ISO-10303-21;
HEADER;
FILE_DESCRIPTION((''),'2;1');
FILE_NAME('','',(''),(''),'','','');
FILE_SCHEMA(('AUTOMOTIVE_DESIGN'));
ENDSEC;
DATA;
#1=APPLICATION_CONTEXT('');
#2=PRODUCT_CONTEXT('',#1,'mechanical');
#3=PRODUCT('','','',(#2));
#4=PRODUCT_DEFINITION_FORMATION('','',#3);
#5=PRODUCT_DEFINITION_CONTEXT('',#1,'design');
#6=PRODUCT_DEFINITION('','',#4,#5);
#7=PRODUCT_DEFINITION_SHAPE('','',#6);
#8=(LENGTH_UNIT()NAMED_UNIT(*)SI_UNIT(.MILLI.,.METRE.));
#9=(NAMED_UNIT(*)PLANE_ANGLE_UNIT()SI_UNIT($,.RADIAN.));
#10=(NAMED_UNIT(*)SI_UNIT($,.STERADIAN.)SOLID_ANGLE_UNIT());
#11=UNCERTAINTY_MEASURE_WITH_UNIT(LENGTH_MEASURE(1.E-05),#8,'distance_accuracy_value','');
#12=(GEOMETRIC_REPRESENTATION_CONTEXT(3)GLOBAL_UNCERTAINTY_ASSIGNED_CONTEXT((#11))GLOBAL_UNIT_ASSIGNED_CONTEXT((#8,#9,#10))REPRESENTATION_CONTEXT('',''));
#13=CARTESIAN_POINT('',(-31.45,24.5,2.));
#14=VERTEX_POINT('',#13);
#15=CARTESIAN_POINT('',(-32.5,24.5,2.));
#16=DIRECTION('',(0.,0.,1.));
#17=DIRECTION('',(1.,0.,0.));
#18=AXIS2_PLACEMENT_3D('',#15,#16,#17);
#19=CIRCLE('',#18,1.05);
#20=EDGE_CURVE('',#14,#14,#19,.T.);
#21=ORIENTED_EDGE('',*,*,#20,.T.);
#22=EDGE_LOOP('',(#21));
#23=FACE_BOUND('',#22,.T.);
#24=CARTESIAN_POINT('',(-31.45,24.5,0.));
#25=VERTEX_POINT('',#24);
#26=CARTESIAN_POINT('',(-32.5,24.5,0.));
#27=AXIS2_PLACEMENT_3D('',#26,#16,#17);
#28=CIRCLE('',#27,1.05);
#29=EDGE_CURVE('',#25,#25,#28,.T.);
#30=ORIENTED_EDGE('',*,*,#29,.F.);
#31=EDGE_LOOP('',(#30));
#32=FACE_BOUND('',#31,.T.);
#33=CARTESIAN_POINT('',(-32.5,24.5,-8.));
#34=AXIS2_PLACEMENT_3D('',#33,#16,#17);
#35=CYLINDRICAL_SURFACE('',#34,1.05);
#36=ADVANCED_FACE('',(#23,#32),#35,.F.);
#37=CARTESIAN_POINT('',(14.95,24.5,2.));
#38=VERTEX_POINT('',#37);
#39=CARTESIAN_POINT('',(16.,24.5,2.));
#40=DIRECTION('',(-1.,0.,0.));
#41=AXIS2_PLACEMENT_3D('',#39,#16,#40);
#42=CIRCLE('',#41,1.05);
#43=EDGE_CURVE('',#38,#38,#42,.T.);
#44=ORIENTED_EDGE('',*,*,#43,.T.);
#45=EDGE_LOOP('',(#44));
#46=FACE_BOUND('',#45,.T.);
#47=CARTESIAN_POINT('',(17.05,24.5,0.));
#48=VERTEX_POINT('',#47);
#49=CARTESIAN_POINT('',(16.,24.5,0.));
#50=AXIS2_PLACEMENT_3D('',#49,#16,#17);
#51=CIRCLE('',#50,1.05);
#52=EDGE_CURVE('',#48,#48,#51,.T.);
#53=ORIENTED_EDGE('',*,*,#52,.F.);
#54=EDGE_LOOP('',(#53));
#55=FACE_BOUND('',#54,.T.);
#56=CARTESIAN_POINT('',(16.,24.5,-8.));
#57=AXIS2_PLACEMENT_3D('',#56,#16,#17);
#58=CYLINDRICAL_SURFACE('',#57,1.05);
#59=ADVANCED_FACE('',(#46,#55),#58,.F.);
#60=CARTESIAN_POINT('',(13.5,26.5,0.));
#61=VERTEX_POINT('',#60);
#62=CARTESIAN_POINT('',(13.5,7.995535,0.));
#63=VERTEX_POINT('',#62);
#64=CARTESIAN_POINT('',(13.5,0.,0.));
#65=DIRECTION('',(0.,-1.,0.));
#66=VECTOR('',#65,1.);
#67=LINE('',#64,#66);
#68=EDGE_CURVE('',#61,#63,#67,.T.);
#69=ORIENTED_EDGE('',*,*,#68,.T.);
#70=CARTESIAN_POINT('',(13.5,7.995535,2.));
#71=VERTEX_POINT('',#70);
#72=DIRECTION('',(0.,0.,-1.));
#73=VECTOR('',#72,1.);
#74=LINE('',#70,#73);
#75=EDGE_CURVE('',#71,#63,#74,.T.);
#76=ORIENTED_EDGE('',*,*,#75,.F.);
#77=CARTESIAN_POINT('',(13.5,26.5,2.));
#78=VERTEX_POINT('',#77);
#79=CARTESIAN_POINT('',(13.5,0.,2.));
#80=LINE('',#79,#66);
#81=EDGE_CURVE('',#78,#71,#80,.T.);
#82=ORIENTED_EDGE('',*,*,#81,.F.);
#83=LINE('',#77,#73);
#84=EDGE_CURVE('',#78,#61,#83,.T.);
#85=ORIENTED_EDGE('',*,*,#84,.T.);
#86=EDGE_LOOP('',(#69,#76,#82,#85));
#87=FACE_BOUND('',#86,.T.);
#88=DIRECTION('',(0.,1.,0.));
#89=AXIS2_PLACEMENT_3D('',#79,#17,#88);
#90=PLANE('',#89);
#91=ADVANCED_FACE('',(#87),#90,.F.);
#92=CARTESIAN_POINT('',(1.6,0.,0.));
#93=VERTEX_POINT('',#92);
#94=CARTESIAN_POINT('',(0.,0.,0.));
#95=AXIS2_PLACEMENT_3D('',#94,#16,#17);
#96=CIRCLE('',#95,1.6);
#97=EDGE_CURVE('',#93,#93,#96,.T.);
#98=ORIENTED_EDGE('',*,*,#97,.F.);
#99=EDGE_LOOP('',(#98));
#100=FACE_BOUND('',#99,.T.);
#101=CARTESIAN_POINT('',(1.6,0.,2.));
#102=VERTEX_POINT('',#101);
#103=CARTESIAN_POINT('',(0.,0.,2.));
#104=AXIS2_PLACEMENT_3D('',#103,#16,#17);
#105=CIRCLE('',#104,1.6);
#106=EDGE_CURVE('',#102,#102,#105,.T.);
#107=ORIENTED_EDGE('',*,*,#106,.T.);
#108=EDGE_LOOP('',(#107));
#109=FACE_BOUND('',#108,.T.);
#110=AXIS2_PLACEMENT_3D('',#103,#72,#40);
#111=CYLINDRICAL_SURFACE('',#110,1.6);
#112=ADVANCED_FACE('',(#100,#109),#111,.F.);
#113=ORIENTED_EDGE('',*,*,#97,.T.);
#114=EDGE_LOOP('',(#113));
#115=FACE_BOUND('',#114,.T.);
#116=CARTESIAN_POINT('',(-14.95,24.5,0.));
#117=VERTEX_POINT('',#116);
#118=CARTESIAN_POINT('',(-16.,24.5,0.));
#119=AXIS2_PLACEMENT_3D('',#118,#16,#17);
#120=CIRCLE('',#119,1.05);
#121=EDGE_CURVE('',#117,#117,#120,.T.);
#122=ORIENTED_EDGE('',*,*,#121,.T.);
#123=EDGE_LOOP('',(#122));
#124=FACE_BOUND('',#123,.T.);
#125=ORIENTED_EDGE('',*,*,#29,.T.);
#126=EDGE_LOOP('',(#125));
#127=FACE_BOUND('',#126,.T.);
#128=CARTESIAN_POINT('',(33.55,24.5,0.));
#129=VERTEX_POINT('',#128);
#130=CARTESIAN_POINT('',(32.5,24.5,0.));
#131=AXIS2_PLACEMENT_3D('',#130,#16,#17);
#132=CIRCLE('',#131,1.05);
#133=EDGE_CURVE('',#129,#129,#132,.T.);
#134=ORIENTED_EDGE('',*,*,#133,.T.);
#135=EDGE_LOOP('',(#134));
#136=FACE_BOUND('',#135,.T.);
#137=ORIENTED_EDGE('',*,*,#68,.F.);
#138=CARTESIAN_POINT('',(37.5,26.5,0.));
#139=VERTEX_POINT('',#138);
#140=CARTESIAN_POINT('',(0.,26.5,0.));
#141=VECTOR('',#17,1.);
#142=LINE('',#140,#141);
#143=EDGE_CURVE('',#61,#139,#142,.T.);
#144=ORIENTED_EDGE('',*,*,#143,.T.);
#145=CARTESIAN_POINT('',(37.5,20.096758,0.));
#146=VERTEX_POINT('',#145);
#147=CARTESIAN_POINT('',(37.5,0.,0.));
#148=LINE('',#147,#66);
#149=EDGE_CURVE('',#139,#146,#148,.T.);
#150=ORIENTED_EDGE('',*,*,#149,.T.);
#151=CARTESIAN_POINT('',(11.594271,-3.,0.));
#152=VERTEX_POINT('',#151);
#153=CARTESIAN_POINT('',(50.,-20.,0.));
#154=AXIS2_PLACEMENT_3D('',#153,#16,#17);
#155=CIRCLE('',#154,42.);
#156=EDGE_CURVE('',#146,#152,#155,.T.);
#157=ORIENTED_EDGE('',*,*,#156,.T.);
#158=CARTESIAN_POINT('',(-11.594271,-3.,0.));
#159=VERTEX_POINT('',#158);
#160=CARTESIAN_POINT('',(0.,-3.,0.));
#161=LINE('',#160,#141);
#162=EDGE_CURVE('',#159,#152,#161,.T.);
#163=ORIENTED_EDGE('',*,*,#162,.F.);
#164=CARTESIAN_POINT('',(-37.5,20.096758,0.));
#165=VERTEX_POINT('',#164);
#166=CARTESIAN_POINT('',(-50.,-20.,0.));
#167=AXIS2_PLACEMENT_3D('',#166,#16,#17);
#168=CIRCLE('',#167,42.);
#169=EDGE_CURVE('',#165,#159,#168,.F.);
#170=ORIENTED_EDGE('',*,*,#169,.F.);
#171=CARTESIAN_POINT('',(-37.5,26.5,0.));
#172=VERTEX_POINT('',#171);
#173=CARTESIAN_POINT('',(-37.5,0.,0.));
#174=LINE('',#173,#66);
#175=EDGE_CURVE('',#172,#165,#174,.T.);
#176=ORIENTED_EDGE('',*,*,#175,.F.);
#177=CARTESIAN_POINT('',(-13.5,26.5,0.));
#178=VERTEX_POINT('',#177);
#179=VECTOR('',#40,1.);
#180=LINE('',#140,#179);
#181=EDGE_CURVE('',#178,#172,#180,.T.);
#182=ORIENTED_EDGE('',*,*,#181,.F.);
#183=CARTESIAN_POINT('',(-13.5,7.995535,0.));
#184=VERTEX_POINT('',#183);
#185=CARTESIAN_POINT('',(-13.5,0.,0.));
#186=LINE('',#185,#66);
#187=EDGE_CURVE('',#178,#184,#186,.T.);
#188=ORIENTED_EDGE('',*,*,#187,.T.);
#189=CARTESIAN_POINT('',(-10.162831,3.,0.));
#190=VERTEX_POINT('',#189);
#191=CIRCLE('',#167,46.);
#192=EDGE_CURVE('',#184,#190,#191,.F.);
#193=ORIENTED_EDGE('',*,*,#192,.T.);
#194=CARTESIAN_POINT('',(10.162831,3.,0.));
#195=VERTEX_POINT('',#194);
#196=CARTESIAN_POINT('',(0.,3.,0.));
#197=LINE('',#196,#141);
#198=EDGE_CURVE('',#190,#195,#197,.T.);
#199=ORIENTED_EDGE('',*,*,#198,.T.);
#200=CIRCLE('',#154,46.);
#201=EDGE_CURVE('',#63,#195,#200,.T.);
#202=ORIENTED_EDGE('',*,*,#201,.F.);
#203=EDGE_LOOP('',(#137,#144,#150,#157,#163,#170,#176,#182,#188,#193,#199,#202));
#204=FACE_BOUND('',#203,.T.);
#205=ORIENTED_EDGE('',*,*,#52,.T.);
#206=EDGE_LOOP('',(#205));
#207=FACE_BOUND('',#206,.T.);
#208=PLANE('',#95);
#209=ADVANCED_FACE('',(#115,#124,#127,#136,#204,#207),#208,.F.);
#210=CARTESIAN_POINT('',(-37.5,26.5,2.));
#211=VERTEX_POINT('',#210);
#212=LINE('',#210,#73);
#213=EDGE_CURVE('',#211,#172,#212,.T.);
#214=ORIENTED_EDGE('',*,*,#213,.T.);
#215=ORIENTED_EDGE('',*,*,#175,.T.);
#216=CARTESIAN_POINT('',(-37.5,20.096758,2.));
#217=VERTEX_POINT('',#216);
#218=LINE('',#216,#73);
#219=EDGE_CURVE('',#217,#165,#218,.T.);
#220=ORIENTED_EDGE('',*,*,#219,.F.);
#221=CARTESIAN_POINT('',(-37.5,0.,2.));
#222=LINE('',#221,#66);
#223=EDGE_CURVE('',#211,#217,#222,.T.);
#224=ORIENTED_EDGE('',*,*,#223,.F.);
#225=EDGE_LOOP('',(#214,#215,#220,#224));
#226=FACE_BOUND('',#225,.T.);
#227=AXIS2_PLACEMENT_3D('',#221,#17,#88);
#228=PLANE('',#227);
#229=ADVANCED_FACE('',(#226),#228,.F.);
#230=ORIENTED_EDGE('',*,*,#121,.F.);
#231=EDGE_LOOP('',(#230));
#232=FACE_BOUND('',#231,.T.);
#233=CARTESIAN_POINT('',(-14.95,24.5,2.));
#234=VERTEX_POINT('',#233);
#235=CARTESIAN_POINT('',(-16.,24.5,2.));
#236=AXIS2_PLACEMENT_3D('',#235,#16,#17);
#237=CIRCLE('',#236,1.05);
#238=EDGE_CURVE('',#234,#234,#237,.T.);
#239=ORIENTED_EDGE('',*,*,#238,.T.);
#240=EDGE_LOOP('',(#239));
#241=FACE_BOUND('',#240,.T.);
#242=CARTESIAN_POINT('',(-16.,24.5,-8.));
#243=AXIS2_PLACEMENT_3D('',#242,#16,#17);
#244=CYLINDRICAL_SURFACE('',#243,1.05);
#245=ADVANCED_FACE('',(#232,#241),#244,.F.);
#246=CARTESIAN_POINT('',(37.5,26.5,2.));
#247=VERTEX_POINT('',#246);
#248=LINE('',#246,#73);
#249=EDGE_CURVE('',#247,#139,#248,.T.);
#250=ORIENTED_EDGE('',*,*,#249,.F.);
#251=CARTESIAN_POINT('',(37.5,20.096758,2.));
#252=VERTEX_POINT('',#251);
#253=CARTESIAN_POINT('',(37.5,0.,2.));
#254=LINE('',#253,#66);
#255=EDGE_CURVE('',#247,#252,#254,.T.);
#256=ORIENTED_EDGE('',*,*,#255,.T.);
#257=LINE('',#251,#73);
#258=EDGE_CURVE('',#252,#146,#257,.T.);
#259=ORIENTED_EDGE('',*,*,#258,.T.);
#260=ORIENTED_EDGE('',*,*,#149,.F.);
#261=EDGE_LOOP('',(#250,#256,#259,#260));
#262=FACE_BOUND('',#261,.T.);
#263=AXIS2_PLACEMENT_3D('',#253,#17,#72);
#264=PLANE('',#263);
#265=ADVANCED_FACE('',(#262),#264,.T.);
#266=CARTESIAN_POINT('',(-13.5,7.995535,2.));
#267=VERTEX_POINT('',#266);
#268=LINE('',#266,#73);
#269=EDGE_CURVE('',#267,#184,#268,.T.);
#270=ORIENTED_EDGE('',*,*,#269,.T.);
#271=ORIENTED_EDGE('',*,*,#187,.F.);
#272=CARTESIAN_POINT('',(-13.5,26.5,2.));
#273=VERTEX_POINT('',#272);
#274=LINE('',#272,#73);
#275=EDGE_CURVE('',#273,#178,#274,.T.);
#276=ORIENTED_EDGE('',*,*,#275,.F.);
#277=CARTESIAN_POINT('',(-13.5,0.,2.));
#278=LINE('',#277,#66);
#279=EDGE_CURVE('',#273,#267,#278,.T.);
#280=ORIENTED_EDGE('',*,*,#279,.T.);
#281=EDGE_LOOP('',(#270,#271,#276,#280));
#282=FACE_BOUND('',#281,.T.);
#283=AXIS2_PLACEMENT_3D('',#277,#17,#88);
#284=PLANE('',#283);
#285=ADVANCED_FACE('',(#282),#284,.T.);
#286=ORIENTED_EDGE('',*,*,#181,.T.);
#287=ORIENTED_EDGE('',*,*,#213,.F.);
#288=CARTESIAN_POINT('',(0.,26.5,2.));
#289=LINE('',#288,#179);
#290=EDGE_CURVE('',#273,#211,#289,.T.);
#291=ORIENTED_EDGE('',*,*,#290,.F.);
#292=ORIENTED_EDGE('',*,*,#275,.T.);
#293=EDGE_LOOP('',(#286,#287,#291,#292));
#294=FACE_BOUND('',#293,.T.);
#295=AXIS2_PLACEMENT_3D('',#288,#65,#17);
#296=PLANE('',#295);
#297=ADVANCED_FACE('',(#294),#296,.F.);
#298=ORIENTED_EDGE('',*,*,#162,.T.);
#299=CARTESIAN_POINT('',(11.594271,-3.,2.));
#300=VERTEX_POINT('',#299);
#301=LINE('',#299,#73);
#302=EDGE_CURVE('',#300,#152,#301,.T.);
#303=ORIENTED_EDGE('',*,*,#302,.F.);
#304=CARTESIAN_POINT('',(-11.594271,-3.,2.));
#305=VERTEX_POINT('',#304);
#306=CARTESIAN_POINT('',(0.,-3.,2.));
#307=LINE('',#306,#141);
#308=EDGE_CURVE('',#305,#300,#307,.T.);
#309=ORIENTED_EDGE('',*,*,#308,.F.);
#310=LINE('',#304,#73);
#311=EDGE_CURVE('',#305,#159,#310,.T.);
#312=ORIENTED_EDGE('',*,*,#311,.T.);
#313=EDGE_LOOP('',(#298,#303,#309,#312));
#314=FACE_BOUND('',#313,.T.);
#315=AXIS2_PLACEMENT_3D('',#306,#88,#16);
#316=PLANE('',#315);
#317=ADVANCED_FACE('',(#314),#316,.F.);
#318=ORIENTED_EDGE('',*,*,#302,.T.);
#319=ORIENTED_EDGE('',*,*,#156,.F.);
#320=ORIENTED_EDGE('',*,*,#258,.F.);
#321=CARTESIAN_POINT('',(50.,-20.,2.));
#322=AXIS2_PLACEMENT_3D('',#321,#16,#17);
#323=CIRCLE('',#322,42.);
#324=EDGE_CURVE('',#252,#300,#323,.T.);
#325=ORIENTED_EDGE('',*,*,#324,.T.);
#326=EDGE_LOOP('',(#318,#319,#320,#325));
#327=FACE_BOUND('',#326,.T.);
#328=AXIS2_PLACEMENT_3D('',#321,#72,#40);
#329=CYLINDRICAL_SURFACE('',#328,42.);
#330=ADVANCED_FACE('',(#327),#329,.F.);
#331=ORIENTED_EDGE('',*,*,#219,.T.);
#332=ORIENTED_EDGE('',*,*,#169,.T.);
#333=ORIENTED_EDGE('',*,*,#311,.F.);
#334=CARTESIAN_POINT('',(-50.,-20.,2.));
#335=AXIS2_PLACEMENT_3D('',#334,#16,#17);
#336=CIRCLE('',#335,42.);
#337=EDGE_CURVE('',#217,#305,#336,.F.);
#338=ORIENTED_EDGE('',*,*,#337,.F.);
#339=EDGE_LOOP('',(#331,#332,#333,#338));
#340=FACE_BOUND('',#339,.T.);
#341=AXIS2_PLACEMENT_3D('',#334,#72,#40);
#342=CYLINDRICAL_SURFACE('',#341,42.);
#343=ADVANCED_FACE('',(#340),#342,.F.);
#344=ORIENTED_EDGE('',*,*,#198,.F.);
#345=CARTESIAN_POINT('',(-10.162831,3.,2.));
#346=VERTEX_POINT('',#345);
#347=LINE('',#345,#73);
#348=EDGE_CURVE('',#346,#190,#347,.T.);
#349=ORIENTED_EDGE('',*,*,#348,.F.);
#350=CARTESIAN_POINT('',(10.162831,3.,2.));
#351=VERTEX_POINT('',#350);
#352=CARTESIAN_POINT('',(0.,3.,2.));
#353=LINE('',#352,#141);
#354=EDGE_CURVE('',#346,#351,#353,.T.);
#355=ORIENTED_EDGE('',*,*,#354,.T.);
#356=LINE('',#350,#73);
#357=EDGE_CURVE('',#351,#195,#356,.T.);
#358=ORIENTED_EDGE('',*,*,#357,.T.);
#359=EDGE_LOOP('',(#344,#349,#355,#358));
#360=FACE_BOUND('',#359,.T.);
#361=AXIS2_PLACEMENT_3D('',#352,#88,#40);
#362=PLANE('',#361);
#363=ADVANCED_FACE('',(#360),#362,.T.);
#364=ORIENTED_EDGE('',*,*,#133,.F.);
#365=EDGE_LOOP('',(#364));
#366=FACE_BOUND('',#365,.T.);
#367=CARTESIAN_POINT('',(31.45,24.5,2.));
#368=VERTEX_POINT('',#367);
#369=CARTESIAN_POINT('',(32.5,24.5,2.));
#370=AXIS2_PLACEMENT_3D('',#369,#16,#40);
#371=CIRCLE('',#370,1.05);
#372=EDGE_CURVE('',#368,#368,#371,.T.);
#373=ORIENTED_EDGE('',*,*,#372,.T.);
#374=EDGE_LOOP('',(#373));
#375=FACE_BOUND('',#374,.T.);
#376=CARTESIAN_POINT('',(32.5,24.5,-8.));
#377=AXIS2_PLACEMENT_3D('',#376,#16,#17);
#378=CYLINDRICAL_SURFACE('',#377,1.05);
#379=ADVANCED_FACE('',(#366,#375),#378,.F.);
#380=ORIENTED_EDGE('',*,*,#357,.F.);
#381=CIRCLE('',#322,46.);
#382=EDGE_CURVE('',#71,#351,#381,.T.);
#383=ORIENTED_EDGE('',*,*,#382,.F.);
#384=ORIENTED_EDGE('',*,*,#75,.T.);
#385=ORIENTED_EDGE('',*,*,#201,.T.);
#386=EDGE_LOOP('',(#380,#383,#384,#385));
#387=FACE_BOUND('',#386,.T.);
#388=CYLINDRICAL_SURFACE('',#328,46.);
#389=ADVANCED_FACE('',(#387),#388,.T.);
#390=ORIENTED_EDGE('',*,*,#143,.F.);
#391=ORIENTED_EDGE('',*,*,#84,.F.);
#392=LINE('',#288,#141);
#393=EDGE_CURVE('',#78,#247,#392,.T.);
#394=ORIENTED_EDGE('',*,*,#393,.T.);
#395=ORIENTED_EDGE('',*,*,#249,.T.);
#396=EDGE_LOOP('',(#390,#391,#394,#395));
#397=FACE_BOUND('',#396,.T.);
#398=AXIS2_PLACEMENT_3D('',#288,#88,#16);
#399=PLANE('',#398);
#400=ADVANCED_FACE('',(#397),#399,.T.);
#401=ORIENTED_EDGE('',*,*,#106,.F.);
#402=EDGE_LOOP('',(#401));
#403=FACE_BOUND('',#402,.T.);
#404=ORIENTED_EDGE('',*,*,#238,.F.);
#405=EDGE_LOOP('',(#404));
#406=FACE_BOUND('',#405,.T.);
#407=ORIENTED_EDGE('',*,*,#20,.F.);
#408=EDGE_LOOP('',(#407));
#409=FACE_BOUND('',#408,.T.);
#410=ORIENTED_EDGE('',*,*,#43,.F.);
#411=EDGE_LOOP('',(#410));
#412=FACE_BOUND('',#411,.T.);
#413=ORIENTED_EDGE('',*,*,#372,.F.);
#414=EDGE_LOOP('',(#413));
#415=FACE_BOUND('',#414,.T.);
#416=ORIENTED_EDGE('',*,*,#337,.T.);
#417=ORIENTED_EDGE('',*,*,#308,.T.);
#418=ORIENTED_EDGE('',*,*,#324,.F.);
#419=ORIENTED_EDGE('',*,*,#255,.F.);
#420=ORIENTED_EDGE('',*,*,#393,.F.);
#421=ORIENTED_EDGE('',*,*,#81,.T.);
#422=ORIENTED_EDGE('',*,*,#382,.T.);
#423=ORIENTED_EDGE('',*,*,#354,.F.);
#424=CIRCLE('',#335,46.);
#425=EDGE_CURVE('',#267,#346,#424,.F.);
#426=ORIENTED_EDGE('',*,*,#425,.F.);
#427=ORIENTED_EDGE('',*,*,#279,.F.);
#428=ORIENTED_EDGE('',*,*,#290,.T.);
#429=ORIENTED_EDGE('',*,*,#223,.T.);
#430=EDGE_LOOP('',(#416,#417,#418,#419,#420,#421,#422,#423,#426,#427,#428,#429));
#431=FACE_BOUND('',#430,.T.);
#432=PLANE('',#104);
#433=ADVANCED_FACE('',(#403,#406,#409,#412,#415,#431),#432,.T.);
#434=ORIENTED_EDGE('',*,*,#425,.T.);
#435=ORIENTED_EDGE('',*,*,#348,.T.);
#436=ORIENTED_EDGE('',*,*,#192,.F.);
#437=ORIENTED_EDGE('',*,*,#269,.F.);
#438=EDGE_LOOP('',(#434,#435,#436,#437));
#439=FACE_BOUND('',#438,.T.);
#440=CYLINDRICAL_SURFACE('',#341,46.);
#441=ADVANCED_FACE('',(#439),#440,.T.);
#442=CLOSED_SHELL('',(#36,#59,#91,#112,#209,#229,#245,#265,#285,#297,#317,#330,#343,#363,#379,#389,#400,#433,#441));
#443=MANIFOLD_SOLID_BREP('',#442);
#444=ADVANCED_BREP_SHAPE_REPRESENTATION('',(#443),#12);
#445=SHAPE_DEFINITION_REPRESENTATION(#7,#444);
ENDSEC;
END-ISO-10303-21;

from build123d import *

# Parameters (mm, degrees)
SKETCH_1_R          = 1.6
EXTRUDE_1_DEPTH     = 2
SKETCH_2_R          = 1.05
CUT_EXTRUDE_1_DEPTH = 10


with BuildPart() as part:
    # 草图1 → 凸台-拉伸1 (new body)
    with BuildSketch(Plane.XY):
        with BuildLine():
            Line((-10.162831426, 3), (10.162831426, 3))
            ThreePointArc((10.162831426, 3), (11.749775558, 5.55230577), (13.5, 7.995535358))
            Line((13.5, 7.995535358), (13.5, 26.5))
            Line((13.5, 26.5), (37.5, 26.5))
            Line((37.5, 26.5), (37.5, 20.096757974))
            ThreePointArc((37.5, 20.096757974), (22.049805692, 11.349428036), (11.594271261, -3))
            Line((11.594271261, -3), (-11.594271261, -3))
            ThreePointArc((-11.594271261, -3), (-22.049805692, 11.349428036), (-37.5, 20.096757974))
            Line((-37.5, 20.096757974), (-37.5, 26.5))
            Line((-37.5, 26.5), (-13.5, 26.5))
            Line((-13.5, 26.5), (-13.5, 7.995535358))
            ThreePointArc((-13.5, 7.995535358), (-11.749775558, 5.55230577), (-10.162831426, 3))
        make_face()
        Circle(SKETCH_1_R, mode=Mode.SUBTRACT)
    extrude(amount=EXTRUDE_1_DEPTH)

    # 草图2 → 切除-拉伸1 (cut)
    with BuildSketch(Plane.XY.offset(2)):
        with Locations((-32.5, 24.5)):
            Circle(SKETCH_2_R)
        with Locations((-16, 24.5)):
            Circle(SKETCH_2_R)
        with Locations((16, 24.5)):
            Circle(SKETCH_2_R)
        with Locations((32.5, 24.5)):
            Circle(SKETCH_2_R)
    extrude(amount=-CUT_EXTRUDE_1_DEPTH, mode=Mode.SUBTRACT)


solid = part.part
